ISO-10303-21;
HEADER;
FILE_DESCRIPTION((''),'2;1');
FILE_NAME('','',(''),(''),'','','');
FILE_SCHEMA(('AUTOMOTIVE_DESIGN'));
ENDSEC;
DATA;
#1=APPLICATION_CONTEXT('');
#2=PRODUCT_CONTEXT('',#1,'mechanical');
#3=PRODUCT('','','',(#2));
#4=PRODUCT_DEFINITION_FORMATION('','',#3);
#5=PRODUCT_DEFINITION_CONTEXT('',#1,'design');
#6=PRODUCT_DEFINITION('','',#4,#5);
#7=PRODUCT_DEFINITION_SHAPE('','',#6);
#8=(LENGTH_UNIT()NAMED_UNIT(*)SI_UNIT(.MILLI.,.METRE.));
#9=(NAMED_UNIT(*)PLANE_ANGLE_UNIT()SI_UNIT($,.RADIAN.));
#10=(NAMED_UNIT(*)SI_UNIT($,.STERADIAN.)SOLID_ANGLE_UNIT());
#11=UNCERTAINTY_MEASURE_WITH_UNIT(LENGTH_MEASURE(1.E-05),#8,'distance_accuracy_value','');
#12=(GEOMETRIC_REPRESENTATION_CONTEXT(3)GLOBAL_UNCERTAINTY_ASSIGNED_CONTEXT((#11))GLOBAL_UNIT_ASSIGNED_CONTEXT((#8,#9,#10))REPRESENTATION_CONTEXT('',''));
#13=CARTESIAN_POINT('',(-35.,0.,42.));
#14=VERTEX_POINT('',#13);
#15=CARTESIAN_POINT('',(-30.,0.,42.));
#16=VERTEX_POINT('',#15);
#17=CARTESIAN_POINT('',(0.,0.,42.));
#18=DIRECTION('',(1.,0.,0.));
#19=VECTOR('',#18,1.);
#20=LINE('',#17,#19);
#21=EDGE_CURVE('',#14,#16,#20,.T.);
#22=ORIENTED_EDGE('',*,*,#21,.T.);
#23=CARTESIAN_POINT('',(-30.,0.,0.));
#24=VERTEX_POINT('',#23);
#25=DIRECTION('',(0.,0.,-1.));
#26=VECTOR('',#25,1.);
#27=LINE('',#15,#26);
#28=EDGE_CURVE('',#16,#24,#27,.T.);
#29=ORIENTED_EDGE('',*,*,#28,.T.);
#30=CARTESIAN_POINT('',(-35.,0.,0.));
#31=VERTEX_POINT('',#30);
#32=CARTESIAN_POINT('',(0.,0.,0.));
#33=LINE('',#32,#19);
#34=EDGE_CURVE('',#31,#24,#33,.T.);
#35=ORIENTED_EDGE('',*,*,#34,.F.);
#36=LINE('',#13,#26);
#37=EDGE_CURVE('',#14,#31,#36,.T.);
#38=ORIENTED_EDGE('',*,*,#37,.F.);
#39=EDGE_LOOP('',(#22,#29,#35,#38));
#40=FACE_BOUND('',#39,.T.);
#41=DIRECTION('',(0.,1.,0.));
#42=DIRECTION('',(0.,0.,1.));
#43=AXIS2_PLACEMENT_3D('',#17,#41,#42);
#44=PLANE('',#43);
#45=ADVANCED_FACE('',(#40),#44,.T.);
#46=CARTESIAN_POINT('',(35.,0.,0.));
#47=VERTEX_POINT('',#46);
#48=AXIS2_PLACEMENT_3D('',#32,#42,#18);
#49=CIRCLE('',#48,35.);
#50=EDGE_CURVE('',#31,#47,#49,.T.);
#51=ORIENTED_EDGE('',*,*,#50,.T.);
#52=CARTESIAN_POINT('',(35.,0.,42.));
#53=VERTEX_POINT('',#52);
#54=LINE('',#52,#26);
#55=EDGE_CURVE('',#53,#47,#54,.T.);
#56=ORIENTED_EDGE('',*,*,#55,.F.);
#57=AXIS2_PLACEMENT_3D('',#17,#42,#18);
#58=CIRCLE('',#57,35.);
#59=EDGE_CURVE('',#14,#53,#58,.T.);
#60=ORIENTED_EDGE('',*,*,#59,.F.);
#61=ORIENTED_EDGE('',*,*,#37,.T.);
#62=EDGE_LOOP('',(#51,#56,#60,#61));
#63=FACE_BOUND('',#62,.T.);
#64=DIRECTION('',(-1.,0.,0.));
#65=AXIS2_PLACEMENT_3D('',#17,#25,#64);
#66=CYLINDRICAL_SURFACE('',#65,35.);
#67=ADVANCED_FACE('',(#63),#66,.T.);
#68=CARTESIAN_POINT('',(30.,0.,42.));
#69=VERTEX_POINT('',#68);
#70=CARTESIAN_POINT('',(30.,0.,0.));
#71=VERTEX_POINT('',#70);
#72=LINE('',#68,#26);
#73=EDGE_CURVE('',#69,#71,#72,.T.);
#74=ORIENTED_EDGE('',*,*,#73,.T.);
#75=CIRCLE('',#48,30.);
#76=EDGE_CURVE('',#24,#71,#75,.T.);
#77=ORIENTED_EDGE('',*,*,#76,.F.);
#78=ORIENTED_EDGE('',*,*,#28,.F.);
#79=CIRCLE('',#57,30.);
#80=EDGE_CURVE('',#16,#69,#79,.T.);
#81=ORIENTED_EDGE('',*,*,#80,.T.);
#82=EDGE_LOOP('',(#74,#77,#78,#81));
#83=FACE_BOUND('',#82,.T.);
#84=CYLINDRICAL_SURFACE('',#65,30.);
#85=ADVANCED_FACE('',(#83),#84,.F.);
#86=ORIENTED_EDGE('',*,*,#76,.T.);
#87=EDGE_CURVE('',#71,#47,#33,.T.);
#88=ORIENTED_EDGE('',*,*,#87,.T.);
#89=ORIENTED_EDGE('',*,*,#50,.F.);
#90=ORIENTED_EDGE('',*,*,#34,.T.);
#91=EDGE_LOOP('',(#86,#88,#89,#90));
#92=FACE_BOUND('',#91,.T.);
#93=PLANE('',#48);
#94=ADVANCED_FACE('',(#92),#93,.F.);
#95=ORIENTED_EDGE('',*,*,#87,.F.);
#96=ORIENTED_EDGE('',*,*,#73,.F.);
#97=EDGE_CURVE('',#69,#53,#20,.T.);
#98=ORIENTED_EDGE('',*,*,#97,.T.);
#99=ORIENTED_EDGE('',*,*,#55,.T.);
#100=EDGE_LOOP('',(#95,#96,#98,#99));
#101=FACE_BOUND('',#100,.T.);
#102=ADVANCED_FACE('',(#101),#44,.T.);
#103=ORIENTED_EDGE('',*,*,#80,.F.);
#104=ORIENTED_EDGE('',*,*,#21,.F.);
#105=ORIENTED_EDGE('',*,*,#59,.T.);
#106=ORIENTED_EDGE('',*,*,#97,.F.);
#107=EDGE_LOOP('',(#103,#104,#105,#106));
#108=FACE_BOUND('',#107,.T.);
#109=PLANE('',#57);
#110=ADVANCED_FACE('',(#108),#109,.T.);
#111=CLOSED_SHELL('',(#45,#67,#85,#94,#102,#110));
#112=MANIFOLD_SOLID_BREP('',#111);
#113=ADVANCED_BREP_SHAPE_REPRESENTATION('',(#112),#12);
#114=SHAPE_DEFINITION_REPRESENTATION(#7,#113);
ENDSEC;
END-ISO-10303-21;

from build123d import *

# Parameters (mm, degrees)
EXTRUDE_1_DEPTH = 42


with BuildPart() as part:
    # Эскиз1 → Бобышка-Вытянуть1 (new body)
    with BuildSketch(Plane.XY):
        with BuildLine():
            Line((-30, 0), (-35, 0))
            ThreePointArc((-35, 0), (0, -35), (35, 0))
            Line((35, 0), (30, 0))
            ThreePointArc((30, 0), (0, -30), (-30, 0))
        make_face()
    extrude(amount=EXTRUDE_1_DEPTH)


solid = part.part
